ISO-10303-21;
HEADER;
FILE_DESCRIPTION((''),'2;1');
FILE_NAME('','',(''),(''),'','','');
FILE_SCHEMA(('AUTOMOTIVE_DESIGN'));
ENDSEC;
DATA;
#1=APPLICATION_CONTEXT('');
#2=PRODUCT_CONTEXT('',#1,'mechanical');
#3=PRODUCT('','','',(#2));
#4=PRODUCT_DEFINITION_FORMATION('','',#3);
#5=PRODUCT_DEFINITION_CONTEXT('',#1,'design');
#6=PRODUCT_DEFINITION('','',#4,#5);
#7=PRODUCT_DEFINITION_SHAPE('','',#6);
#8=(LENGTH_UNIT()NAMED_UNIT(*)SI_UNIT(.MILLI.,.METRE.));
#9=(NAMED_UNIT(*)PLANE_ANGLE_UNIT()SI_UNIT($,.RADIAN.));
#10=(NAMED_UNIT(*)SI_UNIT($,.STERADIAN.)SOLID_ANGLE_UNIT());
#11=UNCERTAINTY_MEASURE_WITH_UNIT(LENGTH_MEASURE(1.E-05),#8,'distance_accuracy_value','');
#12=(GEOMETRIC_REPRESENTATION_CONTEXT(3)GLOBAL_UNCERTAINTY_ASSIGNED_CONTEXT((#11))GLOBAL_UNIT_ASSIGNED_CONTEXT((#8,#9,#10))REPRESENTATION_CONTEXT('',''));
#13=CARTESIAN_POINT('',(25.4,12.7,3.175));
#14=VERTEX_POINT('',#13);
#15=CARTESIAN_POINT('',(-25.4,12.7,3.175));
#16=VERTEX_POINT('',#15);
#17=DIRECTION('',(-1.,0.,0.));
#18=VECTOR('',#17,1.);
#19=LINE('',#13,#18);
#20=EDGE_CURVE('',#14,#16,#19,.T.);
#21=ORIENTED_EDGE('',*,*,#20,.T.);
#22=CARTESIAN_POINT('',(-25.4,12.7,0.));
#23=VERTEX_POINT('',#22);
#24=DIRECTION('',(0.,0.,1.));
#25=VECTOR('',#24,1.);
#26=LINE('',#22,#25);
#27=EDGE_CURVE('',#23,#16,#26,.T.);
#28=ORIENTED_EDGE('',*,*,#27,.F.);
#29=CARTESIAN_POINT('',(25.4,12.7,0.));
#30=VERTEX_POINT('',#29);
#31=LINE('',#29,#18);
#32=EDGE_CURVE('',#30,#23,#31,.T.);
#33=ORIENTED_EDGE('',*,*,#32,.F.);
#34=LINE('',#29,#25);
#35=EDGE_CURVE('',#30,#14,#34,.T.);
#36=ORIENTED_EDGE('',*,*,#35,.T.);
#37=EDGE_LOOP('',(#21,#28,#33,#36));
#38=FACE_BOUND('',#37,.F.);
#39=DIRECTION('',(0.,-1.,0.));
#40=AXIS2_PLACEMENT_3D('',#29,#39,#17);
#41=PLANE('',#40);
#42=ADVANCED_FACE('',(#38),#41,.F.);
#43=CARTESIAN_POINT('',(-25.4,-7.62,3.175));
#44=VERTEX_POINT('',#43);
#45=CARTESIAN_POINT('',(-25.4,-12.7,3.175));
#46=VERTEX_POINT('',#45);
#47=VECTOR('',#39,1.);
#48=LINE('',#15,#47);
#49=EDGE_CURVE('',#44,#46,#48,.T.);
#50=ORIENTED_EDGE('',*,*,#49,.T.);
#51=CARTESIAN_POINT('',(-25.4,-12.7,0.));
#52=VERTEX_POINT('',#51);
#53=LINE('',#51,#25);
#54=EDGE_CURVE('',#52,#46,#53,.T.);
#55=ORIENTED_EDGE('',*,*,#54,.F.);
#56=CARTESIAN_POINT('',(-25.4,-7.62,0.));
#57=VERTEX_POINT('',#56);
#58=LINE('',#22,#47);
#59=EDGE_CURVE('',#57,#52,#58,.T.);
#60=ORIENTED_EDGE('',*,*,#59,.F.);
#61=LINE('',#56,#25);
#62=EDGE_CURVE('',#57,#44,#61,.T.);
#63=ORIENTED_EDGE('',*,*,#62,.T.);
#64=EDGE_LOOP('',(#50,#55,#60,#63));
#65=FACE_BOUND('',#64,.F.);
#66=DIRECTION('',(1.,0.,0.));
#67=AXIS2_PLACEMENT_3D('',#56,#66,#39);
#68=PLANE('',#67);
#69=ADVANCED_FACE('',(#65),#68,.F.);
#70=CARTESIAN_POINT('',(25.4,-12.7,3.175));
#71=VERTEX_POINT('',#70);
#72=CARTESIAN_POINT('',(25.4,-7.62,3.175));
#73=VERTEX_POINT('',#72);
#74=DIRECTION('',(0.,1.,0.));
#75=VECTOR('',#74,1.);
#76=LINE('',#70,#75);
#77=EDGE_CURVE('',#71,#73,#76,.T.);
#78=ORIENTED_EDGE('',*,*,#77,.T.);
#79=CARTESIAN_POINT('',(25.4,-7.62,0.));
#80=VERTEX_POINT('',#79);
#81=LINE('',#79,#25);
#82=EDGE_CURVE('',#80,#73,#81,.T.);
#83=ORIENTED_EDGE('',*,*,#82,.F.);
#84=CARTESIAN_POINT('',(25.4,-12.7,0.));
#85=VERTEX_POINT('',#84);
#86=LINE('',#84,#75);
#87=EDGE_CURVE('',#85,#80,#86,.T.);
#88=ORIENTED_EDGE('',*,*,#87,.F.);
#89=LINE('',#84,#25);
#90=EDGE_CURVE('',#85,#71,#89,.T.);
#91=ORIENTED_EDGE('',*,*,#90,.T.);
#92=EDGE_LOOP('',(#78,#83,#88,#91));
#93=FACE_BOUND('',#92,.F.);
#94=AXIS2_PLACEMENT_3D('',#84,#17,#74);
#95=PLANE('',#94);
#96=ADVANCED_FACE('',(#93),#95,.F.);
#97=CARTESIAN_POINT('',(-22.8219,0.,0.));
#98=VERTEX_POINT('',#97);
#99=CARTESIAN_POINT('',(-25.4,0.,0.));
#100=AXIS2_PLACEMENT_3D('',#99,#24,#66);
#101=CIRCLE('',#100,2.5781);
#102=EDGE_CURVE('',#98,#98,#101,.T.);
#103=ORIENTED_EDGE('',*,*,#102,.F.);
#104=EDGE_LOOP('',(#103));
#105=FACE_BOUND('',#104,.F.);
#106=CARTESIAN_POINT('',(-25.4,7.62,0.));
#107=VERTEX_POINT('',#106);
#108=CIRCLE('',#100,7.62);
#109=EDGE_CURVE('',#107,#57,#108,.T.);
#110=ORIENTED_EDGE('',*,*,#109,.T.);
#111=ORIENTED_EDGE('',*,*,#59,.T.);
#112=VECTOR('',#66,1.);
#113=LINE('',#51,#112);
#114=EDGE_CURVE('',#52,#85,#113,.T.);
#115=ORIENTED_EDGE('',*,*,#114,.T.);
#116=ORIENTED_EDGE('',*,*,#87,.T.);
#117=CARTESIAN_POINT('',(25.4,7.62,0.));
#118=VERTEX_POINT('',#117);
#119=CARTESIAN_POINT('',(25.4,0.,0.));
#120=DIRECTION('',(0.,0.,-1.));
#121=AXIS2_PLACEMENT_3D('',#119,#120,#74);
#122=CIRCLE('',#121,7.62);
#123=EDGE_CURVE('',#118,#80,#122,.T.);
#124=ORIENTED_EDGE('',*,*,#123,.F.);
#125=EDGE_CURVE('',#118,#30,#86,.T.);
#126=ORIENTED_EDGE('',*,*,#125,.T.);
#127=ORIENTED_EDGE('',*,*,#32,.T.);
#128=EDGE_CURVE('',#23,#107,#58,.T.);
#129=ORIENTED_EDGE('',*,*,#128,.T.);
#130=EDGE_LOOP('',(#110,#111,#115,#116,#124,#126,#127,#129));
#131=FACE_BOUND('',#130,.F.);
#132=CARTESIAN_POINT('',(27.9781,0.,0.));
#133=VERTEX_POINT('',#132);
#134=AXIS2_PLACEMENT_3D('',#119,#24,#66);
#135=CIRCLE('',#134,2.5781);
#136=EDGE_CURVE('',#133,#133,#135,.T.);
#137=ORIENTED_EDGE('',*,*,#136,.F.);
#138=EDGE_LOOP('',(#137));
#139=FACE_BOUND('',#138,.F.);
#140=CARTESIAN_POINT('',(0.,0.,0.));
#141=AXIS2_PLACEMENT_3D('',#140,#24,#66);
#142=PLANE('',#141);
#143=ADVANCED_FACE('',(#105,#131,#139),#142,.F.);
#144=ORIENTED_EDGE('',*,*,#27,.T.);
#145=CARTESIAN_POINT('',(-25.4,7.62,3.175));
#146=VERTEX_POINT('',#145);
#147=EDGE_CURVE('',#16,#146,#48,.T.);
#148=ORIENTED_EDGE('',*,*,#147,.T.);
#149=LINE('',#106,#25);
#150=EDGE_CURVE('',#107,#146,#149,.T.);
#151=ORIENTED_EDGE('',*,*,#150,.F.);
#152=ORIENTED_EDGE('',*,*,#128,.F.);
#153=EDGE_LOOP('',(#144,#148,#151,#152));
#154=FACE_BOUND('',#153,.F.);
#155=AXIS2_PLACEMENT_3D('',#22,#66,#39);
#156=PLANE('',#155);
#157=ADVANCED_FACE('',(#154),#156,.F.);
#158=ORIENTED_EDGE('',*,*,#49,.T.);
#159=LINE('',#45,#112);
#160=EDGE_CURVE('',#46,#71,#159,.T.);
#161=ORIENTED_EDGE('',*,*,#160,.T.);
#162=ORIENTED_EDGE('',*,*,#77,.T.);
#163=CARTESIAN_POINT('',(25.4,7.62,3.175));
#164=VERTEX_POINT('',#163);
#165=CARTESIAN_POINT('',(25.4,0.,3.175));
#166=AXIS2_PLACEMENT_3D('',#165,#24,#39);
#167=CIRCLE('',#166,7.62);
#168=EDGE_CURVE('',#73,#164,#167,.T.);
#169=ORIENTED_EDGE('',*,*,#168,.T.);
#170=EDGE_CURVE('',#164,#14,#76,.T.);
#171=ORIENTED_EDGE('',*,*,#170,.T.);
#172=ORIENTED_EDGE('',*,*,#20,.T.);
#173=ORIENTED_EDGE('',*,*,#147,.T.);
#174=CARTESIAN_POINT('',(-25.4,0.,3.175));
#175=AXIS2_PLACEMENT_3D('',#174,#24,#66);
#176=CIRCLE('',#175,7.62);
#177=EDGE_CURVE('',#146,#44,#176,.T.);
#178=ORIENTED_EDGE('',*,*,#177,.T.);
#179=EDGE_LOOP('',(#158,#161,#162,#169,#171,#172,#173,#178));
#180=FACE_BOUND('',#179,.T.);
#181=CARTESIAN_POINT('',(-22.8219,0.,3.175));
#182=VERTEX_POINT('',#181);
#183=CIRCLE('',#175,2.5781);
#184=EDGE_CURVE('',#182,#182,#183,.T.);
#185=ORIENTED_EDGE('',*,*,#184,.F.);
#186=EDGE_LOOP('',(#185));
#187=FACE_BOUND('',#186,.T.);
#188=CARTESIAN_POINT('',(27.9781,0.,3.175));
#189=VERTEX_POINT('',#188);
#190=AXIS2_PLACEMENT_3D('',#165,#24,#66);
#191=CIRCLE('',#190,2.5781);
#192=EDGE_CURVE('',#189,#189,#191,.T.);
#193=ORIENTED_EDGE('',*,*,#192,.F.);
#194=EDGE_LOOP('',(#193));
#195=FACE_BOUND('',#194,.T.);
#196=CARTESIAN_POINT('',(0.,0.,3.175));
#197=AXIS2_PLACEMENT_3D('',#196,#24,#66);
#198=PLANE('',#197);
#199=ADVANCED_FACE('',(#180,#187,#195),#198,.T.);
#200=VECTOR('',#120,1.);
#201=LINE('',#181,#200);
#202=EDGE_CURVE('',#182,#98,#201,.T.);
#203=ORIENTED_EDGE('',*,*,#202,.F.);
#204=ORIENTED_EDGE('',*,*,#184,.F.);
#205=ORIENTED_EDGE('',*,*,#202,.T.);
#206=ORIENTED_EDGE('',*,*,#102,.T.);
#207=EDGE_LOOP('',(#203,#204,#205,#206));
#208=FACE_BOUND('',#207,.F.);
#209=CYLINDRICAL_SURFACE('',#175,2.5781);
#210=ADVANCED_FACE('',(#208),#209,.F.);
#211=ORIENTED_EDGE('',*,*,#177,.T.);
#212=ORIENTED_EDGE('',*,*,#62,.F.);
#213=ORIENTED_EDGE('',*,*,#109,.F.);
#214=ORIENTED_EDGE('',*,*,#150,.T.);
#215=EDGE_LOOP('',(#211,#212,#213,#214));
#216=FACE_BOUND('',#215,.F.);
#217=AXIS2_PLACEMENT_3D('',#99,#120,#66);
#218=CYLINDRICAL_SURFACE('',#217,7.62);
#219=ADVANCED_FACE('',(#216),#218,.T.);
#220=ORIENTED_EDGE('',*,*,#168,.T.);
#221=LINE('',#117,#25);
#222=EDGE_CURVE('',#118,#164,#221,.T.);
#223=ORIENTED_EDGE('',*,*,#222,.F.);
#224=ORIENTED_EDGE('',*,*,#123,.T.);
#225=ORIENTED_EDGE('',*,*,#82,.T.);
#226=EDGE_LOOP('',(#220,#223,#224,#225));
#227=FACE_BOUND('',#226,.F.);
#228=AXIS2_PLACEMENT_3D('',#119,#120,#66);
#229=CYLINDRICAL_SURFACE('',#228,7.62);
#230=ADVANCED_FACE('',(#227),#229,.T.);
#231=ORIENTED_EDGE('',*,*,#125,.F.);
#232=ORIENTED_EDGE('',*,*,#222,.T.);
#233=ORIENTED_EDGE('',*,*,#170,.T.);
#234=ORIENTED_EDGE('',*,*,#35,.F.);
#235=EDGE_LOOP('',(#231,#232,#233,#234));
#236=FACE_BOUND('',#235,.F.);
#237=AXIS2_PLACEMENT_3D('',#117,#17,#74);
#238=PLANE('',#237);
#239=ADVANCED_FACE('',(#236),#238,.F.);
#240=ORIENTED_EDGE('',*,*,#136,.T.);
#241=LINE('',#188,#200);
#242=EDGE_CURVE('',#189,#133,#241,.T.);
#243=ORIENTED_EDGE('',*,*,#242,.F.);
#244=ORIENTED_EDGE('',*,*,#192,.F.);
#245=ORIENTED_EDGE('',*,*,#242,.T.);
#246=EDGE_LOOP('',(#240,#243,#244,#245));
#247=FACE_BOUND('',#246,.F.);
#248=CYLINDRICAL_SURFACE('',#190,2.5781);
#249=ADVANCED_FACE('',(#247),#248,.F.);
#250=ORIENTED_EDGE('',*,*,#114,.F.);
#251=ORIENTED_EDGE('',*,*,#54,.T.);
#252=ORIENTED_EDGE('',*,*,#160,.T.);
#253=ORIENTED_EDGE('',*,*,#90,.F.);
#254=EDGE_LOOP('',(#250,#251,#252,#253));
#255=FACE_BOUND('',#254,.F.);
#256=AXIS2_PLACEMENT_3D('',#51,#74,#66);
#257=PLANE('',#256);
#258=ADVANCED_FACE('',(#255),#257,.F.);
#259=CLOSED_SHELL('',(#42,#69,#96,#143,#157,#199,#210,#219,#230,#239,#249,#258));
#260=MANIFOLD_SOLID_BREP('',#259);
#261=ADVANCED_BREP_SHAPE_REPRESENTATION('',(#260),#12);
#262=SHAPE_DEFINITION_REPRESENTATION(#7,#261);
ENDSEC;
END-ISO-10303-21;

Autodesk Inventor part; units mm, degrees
ref_plane "YZ Plane" through (0, 0, 0) normal (1, 0, 0) x (0, 1, 0)
ref_plane "XZ Plane" through (0, 0, 0) normal (0, 1, 0) x (-1, 0, 0)
ref_plane "XY Plane" through (0, 0, 0) normal (0, 0, 1) x (1, 0, 0)
sketch "Sketch1" plane through (0, 0, 0) normal (0, 0, 1) x (1, 0, 0)
  line L0 (-25.4, -12.7) -> (25.4, -12.7)
  line L1 (25.4, -12.7) -> (25.4, 12.7)
  line L2 (25.4, 12.7) -> (-25.4, 12.7)
  line L3 (-25.4, 12.7) -> (-25.4, -12.7)
  line L4 (-25.4, -12.7) -> (25.4, 12.7) construction
  line L5 (25.4, -12.7) -> (-25.4, 12.7) construction
  circle A0 centre (-25.4, 0) radius 7.62
  circle A1 centre (25.4, 0) radius 7.62
  point P0 (0, 0)
  point P1 (-25.4, 7.62)
  point P2 (-25.4, -7.62)
  point P3 (25.4, -7.62)
  point P4 (25.4, 7.62)
  dimension "d0" = 50.8
  dimension "d1" = 25.4
  dimension "d2" = 15.24
extrude "Extrusion1" add sketch "Sketch1" along normal blind 3.175
sketch "Sketch2" plane through (0, 0, 3.175) normal (0, 0, 1) x (1, 0, 0)
  arc A0 (-25.4, 7.62) -> (-25.4, -7.62) centre (-25.4, 0) ccw projected
  circle A1 centre (-25.4, 0) radius 2.5781
  arc A2 (25.4, -7.62) -> (25.4, 7.62) centre (25.4, 0) ccw projected
  circle A3 centre (25.4, 0) radius 2.5781
  point P0 (0, 0)
  dimension "d5" = 5.1562
extrude "Extrusion2" cut sketch "Sketch2" against normal through all
properties part number "thriftybearingmount_standoff"
